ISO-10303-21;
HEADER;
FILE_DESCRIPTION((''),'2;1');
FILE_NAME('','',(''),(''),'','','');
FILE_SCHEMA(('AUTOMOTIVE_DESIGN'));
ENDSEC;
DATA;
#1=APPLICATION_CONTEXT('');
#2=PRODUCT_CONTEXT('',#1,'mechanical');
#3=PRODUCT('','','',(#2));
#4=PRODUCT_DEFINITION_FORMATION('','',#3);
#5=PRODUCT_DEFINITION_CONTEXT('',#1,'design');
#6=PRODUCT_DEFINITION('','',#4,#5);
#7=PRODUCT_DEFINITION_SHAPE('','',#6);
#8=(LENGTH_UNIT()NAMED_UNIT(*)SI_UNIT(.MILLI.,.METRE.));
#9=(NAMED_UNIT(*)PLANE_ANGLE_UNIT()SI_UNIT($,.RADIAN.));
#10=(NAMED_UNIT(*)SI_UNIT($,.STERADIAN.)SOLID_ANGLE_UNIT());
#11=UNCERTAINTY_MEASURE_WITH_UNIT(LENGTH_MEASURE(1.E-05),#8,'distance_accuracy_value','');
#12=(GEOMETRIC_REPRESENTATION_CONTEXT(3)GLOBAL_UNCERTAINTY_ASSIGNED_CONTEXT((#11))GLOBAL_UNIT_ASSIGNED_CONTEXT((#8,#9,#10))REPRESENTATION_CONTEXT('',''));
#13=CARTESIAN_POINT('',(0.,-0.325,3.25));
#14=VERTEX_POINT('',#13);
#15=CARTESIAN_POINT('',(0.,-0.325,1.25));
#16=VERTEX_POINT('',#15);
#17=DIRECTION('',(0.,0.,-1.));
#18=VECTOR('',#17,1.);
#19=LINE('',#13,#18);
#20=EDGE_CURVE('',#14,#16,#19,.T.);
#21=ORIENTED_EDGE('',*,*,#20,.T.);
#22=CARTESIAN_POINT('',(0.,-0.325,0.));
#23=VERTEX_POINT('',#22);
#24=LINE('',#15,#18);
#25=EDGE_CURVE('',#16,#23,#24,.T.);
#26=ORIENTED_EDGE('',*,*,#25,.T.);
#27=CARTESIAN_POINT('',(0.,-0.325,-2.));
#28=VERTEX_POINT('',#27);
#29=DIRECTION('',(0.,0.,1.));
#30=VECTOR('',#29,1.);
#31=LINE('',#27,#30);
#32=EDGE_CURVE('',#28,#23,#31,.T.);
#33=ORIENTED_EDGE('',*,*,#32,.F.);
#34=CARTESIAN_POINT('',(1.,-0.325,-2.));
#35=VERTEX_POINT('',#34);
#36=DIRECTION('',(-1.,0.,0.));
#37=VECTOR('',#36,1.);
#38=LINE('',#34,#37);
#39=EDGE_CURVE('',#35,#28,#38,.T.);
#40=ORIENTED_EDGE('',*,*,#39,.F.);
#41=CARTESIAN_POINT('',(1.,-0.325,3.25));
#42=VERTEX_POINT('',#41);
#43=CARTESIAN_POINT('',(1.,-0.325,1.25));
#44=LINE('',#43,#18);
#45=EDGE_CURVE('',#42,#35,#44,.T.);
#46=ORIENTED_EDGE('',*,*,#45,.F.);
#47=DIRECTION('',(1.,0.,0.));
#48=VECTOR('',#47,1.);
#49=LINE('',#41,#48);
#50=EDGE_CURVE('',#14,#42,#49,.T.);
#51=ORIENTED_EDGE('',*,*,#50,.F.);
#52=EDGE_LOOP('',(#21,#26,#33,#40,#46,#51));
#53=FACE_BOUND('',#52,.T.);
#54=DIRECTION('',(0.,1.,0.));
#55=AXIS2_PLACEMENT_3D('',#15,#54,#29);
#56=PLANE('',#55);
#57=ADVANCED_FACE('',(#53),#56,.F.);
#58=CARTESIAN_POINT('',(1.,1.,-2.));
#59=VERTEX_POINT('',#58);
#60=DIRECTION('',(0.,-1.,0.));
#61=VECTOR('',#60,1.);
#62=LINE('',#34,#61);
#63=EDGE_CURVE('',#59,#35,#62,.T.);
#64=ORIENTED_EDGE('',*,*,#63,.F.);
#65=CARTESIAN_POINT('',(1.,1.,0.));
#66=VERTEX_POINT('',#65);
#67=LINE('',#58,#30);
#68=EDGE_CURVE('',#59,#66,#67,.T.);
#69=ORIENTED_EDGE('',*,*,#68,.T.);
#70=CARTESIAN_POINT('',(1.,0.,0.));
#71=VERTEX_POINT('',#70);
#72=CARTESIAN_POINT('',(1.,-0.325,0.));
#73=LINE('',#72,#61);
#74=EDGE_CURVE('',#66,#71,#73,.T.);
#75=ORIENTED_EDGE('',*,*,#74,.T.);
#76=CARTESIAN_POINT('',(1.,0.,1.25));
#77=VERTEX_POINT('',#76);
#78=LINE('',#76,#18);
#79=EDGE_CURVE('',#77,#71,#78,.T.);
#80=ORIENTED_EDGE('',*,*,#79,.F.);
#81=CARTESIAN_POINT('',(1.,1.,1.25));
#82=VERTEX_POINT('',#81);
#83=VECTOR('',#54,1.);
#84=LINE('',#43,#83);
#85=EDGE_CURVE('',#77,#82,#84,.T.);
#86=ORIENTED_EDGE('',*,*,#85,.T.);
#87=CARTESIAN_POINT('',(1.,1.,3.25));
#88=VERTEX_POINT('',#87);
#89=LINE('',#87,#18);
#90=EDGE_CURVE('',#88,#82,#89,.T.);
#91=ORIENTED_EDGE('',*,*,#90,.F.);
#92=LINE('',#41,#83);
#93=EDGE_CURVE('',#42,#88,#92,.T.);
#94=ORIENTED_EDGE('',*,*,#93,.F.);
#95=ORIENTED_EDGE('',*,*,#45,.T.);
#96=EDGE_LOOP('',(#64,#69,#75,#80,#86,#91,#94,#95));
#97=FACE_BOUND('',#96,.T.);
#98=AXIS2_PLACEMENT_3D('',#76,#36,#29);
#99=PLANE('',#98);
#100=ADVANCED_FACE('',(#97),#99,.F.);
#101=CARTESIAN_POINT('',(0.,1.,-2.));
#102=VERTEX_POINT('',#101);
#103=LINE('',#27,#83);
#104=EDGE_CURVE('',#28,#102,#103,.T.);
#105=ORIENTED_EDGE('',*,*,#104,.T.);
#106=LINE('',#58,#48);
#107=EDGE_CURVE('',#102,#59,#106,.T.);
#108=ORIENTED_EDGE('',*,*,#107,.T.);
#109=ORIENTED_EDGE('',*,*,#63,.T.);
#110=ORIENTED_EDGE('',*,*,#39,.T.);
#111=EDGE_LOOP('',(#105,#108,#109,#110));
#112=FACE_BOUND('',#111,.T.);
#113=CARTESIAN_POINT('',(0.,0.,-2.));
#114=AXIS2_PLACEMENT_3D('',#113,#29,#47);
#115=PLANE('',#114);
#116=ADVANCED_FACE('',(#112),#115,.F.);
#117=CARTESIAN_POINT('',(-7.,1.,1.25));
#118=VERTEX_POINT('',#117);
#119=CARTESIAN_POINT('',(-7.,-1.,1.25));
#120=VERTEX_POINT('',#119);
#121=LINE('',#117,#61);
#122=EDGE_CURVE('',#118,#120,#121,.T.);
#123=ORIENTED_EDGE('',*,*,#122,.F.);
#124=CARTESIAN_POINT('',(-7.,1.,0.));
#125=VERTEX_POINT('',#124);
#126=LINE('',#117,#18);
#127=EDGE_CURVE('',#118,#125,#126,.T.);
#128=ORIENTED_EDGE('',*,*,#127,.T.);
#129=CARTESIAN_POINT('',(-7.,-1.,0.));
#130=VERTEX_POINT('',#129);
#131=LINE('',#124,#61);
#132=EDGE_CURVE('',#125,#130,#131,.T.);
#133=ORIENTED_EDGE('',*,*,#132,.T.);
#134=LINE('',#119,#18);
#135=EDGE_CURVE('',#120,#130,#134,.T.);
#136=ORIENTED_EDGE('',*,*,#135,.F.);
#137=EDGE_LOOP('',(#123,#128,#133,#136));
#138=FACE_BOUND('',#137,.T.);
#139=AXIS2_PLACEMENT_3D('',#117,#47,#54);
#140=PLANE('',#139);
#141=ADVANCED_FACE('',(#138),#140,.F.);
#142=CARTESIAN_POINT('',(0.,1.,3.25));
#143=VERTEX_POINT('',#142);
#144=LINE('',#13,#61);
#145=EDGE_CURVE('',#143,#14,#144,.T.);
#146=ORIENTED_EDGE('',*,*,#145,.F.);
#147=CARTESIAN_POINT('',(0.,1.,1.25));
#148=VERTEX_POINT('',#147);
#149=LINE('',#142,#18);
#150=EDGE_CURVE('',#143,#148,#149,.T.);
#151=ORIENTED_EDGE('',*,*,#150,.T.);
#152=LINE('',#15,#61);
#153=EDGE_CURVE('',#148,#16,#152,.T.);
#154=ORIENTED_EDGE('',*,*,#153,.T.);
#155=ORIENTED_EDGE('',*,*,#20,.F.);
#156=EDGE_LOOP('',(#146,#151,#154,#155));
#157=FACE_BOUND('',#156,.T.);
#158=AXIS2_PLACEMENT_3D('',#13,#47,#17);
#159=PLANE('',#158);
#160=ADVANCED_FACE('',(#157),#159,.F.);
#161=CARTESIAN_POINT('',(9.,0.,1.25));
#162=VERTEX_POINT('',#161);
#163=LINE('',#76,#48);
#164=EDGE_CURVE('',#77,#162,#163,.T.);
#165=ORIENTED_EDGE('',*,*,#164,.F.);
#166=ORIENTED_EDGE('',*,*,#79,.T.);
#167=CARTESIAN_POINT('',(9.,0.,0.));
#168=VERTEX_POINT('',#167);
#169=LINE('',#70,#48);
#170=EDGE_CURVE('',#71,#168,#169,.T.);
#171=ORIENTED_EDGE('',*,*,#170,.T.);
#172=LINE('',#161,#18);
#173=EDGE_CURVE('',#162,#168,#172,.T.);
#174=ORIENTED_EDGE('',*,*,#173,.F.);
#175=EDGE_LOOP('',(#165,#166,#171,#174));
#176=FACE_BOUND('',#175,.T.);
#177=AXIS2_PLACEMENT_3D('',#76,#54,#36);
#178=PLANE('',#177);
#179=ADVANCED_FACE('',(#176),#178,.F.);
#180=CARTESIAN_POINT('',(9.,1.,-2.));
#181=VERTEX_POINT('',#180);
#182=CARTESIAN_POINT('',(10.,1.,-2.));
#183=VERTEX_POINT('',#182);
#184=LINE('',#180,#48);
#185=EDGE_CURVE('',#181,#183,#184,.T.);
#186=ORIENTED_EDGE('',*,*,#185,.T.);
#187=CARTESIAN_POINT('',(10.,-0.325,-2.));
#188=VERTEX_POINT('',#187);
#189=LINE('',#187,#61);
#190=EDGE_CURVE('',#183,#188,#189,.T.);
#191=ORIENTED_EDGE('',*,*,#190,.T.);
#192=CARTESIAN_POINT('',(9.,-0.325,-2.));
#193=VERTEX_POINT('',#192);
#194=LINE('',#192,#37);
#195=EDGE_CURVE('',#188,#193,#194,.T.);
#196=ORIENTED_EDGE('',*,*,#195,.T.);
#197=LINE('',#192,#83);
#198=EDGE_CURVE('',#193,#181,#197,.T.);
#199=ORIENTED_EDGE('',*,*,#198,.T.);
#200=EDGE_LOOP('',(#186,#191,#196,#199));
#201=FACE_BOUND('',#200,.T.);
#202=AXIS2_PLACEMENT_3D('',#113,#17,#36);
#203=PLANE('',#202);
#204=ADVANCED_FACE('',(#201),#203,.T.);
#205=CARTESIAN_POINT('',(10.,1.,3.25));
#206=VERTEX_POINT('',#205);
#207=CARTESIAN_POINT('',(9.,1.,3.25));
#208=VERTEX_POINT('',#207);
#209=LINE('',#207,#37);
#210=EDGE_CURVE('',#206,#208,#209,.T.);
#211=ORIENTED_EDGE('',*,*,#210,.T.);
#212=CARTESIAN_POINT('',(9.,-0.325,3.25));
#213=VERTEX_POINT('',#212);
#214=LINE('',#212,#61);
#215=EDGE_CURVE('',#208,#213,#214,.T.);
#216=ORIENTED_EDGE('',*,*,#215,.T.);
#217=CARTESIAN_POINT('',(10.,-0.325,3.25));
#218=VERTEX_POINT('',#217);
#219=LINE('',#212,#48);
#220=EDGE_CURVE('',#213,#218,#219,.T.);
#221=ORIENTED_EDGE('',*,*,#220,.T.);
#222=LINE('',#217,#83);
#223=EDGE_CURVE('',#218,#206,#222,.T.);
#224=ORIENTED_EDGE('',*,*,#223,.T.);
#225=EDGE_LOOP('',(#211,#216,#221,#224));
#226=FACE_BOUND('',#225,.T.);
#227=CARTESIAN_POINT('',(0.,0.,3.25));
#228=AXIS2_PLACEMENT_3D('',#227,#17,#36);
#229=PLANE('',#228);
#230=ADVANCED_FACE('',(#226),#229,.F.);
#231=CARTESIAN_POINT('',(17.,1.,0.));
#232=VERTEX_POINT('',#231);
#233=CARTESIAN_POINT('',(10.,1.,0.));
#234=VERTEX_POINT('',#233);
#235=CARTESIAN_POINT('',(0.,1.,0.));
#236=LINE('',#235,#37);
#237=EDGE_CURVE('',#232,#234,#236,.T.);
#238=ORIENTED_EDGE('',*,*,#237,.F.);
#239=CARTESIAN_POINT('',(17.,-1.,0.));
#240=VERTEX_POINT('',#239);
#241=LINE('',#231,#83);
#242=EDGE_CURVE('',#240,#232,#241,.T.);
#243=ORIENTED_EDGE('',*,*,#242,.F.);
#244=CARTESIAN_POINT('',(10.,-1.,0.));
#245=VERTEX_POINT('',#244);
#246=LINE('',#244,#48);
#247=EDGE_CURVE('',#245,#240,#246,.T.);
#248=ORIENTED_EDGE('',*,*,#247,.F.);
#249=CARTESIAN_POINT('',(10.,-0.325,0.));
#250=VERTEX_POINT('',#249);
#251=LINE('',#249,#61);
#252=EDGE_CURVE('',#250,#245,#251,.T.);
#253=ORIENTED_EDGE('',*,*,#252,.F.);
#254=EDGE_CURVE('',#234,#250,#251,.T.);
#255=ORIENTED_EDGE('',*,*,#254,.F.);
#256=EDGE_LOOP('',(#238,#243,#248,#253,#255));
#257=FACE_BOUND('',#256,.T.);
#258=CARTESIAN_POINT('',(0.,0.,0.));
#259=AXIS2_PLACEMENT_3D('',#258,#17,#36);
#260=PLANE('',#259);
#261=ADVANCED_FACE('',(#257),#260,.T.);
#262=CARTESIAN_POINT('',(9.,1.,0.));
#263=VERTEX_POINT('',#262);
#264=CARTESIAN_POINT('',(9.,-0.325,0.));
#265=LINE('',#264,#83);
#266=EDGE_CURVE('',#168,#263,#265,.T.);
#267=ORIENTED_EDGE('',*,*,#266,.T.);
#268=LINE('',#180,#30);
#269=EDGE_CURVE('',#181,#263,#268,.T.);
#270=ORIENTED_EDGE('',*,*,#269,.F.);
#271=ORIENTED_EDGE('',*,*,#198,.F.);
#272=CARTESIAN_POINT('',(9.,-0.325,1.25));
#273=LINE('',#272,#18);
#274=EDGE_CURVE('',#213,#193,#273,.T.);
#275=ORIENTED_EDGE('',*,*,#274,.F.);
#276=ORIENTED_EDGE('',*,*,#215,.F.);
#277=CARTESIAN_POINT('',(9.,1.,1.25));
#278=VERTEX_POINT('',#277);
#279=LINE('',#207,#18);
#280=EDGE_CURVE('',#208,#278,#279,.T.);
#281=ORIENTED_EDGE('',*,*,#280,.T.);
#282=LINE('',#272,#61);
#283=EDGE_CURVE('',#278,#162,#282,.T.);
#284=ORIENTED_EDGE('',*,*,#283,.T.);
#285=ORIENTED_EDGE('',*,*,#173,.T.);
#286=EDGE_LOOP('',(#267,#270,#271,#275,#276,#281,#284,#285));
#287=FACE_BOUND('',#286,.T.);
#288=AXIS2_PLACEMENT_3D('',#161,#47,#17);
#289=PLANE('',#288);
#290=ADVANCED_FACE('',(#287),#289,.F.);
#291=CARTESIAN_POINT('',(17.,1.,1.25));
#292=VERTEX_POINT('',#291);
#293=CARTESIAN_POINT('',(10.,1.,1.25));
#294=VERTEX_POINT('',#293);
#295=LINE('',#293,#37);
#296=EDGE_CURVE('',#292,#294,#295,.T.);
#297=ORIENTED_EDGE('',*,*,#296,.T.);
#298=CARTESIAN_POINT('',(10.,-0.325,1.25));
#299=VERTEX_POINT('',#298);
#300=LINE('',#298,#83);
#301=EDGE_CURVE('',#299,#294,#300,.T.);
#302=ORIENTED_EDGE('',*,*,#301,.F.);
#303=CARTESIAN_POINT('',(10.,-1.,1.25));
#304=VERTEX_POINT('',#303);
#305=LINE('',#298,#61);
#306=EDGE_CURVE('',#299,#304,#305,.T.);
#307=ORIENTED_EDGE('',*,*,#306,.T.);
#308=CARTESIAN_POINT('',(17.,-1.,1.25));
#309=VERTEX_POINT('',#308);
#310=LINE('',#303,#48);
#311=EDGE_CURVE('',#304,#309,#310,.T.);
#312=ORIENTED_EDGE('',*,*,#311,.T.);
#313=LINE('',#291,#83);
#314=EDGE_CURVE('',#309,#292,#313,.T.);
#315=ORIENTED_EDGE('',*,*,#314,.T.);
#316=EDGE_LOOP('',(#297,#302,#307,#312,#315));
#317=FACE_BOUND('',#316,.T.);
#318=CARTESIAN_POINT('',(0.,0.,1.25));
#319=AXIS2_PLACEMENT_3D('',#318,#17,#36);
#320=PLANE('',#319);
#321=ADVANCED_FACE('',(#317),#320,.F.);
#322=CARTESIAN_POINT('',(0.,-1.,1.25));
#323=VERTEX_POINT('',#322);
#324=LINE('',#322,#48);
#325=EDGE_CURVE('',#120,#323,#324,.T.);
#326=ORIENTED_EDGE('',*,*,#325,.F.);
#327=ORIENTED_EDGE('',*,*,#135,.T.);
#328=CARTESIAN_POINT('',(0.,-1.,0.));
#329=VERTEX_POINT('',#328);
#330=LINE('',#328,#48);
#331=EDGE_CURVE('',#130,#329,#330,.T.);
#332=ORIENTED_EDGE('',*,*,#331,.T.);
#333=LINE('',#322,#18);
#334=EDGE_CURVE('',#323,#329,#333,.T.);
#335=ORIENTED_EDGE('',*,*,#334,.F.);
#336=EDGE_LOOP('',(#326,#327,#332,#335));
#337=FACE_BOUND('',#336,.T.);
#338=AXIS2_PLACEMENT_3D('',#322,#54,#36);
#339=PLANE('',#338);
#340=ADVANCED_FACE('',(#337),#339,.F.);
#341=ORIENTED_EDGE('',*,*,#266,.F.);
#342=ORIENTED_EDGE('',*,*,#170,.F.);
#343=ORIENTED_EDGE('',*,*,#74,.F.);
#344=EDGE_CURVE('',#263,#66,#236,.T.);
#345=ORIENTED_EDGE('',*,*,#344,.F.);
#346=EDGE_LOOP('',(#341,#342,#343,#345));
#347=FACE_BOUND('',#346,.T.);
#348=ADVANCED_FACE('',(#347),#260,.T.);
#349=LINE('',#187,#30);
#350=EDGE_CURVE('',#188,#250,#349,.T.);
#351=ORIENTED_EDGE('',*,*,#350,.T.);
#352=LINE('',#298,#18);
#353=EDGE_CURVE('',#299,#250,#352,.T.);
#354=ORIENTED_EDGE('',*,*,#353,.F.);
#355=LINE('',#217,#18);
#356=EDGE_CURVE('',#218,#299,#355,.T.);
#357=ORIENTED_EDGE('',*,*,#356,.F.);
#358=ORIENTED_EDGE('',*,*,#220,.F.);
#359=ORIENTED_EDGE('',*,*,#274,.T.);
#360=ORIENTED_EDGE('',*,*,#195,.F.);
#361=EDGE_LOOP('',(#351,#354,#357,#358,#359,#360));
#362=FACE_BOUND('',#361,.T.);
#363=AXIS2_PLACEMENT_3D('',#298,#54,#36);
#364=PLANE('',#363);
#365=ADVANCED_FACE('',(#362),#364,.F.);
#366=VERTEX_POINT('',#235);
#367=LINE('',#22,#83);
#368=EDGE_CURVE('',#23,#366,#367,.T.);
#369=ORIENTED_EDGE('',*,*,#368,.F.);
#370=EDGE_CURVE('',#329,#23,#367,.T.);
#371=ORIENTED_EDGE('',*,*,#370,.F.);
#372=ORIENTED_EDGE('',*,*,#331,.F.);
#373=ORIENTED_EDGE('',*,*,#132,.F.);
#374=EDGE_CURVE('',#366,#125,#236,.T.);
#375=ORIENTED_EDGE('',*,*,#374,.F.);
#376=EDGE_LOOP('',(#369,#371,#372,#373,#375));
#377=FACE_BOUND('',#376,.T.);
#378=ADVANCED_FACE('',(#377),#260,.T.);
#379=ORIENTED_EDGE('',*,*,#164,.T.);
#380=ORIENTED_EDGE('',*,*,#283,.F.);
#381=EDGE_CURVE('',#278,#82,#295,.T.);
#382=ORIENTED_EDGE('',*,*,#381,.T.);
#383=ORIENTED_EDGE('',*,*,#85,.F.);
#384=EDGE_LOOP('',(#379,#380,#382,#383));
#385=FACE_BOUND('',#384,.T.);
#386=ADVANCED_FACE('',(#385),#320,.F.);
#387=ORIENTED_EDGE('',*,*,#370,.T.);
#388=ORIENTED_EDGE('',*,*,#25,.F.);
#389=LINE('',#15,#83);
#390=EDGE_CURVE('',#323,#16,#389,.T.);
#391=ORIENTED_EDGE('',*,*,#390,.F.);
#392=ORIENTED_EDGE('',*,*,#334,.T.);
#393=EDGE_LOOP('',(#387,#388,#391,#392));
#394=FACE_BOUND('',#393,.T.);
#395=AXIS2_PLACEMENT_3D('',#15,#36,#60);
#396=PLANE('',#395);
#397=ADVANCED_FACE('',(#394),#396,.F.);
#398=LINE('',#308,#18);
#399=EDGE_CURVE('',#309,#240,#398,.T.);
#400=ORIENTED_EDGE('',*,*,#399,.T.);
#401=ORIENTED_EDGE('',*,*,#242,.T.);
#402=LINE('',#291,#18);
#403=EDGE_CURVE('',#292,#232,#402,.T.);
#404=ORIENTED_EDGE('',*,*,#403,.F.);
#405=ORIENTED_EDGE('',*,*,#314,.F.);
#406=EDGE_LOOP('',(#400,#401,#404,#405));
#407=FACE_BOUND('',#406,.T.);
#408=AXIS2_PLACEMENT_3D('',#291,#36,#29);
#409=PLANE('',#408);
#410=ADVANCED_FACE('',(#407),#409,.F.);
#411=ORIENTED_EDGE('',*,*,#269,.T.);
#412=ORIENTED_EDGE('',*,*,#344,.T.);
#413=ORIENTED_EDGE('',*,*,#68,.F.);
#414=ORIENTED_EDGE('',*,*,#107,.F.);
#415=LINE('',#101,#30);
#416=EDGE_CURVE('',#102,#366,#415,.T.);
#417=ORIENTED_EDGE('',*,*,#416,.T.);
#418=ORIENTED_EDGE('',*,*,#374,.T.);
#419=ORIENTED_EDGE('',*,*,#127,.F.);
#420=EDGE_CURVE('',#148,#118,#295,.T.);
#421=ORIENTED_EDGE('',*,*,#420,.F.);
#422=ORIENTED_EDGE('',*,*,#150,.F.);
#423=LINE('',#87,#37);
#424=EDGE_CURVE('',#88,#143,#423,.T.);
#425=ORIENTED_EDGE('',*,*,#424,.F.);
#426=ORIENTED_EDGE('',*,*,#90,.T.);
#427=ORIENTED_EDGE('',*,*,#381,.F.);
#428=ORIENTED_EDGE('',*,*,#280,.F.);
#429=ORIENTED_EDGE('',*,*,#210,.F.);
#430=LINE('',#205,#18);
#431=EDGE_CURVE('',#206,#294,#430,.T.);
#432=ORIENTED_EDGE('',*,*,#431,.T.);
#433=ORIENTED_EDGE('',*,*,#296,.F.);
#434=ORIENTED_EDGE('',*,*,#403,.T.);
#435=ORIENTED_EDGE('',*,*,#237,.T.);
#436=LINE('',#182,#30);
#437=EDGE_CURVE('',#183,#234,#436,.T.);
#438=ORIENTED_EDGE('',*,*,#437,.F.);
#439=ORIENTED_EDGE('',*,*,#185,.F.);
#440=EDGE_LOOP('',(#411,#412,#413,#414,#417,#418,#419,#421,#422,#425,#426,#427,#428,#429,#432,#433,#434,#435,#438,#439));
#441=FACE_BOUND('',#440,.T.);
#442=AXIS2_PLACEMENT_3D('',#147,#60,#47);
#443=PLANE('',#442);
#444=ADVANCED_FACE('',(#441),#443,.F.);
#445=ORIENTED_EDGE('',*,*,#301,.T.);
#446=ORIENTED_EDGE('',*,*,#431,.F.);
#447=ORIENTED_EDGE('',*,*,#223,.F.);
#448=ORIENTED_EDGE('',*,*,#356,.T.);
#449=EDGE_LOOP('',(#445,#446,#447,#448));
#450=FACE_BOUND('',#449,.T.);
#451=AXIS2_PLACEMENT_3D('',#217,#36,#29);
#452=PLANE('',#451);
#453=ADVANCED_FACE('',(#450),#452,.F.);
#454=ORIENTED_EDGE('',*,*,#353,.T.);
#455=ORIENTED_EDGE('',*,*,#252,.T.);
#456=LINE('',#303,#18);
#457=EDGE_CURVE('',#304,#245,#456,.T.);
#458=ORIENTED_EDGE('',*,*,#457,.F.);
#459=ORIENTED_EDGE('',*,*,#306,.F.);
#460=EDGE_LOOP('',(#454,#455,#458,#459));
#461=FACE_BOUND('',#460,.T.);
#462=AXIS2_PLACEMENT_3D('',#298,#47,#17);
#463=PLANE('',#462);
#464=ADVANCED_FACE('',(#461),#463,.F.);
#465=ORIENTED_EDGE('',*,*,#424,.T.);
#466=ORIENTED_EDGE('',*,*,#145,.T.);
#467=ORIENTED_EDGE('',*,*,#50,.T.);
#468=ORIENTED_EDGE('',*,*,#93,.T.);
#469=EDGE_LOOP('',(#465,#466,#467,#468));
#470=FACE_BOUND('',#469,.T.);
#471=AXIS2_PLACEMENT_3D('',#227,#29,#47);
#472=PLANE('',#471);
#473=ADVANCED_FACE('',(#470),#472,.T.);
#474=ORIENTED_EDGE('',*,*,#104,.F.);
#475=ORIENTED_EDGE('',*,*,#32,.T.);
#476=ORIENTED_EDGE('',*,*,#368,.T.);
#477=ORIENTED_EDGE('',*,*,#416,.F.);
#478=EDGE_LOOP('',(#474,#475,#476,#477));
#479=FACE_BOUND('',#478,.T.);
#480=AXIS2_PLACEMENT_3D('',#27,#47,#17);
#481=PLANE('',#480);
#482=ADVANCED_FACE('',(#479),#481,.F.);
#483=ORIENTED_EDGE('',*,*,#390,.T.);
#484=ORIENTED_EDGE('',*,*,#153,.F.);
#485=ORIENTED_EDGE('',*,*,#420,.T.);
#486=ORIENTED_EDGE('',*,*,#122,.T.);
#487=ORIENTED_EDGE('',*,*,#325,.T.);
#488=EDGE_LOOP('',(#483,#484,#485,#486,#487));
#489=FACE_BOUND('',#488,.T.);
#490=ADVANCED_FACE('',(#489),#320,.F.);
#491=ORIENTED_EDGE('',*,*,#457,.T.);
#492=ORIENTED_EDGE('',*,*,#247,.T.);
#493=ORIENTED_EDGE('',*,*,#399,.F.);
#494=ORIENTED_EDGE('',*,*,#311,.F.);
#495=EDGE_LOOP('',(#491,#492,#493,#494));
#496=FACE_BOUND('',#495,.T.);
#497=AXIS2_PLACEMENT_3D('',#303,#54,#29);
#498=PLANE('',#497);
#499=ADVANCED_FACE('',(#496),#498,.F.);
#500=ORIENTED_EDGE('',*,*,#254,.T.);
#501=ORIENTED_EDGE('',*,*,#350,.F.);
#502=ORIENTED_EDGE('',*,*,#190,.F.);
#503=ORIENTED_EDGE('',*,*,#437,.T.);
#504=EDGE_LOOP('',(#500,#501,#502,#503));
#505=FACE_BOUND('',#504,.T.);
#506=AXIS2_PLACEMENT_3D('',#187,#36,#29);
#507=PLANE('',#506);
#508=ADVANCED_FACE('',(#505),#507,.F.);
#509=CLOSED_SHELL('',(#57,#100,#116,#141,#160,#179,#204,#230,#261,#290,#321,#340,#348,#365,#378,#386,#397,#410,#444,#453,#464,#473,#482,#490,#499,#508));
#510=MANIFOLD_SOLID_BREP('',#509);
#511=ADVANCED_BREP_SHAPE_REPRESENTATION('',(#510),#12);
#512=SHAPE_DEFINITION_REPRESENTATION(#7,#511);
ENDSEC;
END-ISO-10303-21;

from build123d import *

# Parameters (mm, degrees)
BOSS_EXTRUDE1_DEPTH = 1.25
SKETCH4_W           = 1
SKETCH4_H           = 1.325
BOSS_EXTRUDE4_DEPTH = 2
SKETCH5_W           = 1
SKETCH5_H           = 1.325
BOSS_EXTRUDE5_DEPTH = 2


with BuildPart() as part:
    # Sketch1 → Boss-Extrude1 (new body)
    with BuildSketch(Plane.XY):
        Polygon((1, 0), (9, 0), (9, -0.325), (10, -0.325), (10, -1), (17, -1), (17, 1), (10, 1), (0, 1), (-7, 1), (-7, -1), (0, -1), (0, -0.325), (1, -0.325), align=None)
    extrude(amount=BOSS_EXTRUDE1_DEPTH)

    # Sketch4 → Boss-Extrude4 (add)
    with BuildSketch(Plane(origin=(0, 0, 0), x_dir=(-1, 0, 0), z_dir=(0, 0, -1))):
        with Locations((-9.5, 0.3375)):
            Rectangle(SKETCH4_W, SKETCH4_H)
        with Locations((-0.5, 0.3375)):
            Rectangle(SKETCH4_W, SKETCH4_H)
    extrude(amount=BOSS_EXTRUDE4_DEPTH)

    # Sketch5 → Boss-Extrude5 (add)
    with BuildSketch(Plane.XY.offset(1.25)):
        with Locations((0.5, 0.3375)):
            Rectangle(SKETCH5_W, SKETCH5_H)
        with Locations((9.5, 0.3375)):
            Rectangle(SKETCH5_W, SKETCH5_H)
    extrude(amount=BOSS_EXTRUDE5_DEPTH)


solid = part.part
